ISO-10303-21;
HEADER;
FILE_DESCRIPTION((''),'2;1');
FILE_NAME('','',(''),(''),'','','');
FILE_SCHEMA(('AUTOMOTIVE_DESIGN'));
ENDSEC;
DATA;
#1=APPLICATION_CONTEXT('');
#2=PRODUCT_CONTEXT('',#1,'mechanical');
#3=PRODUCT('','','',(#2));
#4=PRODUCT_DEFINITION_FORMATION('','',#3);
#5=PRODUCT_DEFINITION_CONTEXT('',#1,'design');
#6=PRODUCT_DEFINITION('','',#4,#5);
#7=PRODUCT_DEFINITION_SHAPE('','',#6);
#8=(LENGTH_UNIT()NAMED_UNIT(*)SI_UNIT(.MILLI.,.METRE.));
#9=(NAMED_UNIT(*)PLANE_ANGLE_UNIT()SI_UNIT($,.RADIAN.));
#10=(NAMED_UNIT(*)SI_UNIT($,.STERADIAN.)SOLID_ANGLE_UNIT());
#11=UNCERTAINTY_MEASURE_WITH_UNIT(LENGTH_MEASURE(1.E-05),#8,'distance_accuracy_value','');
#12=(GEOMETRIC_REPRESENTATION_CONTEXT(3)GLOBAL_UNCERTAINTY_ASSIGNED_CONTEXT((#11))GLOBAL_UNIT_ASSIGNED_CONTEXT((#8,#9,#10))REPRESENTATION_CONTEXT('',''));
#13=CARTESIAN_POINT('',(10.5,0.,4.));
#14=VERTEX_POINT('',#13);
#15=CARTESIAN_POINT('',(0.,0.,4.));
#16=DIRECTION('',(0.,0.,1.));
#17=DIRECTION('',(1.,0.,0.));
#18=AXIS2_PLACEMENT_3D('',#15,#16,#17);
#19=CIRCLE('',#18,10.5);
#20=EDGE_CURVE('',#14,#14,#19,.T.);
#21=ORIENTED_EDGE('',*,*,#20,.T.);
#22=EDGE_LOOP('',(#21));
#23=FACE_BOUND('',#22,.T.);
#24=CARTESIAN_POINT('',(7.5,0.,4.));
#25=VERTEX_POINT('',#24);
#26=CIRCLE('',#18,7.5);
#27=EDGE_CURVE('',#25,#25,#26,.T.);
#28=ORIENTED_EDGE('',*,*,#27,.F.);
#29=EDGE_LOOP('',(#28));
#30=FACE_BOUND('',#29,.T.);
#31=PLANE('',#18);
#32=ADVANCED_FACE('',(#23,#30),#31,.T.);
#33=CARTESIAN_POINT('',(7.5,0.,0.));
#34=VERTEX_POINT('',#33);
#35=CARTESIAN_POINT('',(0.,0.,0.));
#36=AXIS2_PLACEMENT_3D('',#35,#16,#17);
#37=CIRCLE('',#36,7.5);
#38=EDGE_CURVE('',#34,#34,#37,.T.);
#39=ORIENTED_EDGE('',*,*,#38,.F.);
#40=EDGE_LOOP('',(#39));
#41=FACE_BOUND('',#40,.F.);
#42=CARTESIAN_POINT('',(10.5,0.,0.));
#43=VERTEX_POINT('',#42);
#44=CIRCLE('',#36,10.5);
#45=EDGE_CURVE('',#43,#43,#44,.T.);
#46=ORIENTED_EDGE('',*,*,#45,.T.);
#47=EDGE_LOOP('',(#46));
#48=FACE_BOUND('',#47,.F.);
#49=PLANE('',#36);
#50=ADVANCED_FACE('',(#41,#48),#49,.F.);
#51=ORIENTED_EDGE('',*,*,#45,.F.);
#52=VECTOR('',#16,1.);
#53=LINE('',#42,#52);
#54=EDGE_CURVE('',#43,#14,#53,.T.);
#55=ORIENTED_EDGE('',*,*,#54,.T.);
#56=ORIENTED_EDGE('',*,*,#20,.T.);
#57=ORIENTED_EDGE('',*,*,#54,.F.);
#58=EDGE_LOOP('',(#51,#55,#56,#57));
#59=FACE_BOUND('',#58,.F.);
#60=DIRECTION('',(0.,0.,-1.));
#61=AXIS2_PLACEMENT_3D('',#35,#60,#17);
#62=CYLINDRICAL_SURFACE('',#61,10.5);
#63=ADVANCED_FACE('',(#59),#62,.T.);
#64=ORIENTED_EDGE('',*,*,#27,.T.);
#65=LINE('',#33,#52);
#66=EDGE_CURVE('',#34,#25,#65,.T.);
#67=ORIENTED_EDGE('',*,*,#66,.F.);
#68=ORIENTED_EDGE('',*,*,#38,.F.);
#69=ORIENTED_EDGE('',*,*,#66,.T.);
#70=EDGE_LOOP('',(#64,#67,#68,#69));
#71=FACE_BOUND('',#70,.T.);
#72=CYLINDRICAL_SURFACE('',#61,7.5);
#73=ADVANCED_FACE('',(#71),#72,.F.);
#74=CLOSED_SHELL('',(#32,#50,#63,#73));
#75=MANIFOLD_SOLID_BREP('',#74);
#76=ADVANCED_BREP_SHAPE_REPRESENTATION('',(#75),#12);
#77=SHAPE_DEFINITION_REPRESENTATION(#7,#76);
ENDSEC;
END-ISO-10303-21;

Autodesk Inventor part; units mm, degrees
ref_plane "YZ Plane" through (0, 0, 0) normal (1, 0, 0) x (0, 1, 0)
ref_plane "XZ Plane" through (0, 0, 0) normal (0, 1, 0) x (-1, 0, 0)
ref_plane "XY Plane" through (0, 0, 0) normal (0, 0, 1) x (1, 0, 0)
sketch "Sketch1" plane through (0, 0, 0) normal (0, 0, 1) x (1, 0, 0)
  circle A0 centre (0, 0) radius 7.5
  circle A1 centre (0, 0) radius 10.5
  dimension "d0" = 15
  dimension "d2" = 21
extrude "Extrusion1" add sketch "Sketch1" along normal blind 4
properties part number "6702"
